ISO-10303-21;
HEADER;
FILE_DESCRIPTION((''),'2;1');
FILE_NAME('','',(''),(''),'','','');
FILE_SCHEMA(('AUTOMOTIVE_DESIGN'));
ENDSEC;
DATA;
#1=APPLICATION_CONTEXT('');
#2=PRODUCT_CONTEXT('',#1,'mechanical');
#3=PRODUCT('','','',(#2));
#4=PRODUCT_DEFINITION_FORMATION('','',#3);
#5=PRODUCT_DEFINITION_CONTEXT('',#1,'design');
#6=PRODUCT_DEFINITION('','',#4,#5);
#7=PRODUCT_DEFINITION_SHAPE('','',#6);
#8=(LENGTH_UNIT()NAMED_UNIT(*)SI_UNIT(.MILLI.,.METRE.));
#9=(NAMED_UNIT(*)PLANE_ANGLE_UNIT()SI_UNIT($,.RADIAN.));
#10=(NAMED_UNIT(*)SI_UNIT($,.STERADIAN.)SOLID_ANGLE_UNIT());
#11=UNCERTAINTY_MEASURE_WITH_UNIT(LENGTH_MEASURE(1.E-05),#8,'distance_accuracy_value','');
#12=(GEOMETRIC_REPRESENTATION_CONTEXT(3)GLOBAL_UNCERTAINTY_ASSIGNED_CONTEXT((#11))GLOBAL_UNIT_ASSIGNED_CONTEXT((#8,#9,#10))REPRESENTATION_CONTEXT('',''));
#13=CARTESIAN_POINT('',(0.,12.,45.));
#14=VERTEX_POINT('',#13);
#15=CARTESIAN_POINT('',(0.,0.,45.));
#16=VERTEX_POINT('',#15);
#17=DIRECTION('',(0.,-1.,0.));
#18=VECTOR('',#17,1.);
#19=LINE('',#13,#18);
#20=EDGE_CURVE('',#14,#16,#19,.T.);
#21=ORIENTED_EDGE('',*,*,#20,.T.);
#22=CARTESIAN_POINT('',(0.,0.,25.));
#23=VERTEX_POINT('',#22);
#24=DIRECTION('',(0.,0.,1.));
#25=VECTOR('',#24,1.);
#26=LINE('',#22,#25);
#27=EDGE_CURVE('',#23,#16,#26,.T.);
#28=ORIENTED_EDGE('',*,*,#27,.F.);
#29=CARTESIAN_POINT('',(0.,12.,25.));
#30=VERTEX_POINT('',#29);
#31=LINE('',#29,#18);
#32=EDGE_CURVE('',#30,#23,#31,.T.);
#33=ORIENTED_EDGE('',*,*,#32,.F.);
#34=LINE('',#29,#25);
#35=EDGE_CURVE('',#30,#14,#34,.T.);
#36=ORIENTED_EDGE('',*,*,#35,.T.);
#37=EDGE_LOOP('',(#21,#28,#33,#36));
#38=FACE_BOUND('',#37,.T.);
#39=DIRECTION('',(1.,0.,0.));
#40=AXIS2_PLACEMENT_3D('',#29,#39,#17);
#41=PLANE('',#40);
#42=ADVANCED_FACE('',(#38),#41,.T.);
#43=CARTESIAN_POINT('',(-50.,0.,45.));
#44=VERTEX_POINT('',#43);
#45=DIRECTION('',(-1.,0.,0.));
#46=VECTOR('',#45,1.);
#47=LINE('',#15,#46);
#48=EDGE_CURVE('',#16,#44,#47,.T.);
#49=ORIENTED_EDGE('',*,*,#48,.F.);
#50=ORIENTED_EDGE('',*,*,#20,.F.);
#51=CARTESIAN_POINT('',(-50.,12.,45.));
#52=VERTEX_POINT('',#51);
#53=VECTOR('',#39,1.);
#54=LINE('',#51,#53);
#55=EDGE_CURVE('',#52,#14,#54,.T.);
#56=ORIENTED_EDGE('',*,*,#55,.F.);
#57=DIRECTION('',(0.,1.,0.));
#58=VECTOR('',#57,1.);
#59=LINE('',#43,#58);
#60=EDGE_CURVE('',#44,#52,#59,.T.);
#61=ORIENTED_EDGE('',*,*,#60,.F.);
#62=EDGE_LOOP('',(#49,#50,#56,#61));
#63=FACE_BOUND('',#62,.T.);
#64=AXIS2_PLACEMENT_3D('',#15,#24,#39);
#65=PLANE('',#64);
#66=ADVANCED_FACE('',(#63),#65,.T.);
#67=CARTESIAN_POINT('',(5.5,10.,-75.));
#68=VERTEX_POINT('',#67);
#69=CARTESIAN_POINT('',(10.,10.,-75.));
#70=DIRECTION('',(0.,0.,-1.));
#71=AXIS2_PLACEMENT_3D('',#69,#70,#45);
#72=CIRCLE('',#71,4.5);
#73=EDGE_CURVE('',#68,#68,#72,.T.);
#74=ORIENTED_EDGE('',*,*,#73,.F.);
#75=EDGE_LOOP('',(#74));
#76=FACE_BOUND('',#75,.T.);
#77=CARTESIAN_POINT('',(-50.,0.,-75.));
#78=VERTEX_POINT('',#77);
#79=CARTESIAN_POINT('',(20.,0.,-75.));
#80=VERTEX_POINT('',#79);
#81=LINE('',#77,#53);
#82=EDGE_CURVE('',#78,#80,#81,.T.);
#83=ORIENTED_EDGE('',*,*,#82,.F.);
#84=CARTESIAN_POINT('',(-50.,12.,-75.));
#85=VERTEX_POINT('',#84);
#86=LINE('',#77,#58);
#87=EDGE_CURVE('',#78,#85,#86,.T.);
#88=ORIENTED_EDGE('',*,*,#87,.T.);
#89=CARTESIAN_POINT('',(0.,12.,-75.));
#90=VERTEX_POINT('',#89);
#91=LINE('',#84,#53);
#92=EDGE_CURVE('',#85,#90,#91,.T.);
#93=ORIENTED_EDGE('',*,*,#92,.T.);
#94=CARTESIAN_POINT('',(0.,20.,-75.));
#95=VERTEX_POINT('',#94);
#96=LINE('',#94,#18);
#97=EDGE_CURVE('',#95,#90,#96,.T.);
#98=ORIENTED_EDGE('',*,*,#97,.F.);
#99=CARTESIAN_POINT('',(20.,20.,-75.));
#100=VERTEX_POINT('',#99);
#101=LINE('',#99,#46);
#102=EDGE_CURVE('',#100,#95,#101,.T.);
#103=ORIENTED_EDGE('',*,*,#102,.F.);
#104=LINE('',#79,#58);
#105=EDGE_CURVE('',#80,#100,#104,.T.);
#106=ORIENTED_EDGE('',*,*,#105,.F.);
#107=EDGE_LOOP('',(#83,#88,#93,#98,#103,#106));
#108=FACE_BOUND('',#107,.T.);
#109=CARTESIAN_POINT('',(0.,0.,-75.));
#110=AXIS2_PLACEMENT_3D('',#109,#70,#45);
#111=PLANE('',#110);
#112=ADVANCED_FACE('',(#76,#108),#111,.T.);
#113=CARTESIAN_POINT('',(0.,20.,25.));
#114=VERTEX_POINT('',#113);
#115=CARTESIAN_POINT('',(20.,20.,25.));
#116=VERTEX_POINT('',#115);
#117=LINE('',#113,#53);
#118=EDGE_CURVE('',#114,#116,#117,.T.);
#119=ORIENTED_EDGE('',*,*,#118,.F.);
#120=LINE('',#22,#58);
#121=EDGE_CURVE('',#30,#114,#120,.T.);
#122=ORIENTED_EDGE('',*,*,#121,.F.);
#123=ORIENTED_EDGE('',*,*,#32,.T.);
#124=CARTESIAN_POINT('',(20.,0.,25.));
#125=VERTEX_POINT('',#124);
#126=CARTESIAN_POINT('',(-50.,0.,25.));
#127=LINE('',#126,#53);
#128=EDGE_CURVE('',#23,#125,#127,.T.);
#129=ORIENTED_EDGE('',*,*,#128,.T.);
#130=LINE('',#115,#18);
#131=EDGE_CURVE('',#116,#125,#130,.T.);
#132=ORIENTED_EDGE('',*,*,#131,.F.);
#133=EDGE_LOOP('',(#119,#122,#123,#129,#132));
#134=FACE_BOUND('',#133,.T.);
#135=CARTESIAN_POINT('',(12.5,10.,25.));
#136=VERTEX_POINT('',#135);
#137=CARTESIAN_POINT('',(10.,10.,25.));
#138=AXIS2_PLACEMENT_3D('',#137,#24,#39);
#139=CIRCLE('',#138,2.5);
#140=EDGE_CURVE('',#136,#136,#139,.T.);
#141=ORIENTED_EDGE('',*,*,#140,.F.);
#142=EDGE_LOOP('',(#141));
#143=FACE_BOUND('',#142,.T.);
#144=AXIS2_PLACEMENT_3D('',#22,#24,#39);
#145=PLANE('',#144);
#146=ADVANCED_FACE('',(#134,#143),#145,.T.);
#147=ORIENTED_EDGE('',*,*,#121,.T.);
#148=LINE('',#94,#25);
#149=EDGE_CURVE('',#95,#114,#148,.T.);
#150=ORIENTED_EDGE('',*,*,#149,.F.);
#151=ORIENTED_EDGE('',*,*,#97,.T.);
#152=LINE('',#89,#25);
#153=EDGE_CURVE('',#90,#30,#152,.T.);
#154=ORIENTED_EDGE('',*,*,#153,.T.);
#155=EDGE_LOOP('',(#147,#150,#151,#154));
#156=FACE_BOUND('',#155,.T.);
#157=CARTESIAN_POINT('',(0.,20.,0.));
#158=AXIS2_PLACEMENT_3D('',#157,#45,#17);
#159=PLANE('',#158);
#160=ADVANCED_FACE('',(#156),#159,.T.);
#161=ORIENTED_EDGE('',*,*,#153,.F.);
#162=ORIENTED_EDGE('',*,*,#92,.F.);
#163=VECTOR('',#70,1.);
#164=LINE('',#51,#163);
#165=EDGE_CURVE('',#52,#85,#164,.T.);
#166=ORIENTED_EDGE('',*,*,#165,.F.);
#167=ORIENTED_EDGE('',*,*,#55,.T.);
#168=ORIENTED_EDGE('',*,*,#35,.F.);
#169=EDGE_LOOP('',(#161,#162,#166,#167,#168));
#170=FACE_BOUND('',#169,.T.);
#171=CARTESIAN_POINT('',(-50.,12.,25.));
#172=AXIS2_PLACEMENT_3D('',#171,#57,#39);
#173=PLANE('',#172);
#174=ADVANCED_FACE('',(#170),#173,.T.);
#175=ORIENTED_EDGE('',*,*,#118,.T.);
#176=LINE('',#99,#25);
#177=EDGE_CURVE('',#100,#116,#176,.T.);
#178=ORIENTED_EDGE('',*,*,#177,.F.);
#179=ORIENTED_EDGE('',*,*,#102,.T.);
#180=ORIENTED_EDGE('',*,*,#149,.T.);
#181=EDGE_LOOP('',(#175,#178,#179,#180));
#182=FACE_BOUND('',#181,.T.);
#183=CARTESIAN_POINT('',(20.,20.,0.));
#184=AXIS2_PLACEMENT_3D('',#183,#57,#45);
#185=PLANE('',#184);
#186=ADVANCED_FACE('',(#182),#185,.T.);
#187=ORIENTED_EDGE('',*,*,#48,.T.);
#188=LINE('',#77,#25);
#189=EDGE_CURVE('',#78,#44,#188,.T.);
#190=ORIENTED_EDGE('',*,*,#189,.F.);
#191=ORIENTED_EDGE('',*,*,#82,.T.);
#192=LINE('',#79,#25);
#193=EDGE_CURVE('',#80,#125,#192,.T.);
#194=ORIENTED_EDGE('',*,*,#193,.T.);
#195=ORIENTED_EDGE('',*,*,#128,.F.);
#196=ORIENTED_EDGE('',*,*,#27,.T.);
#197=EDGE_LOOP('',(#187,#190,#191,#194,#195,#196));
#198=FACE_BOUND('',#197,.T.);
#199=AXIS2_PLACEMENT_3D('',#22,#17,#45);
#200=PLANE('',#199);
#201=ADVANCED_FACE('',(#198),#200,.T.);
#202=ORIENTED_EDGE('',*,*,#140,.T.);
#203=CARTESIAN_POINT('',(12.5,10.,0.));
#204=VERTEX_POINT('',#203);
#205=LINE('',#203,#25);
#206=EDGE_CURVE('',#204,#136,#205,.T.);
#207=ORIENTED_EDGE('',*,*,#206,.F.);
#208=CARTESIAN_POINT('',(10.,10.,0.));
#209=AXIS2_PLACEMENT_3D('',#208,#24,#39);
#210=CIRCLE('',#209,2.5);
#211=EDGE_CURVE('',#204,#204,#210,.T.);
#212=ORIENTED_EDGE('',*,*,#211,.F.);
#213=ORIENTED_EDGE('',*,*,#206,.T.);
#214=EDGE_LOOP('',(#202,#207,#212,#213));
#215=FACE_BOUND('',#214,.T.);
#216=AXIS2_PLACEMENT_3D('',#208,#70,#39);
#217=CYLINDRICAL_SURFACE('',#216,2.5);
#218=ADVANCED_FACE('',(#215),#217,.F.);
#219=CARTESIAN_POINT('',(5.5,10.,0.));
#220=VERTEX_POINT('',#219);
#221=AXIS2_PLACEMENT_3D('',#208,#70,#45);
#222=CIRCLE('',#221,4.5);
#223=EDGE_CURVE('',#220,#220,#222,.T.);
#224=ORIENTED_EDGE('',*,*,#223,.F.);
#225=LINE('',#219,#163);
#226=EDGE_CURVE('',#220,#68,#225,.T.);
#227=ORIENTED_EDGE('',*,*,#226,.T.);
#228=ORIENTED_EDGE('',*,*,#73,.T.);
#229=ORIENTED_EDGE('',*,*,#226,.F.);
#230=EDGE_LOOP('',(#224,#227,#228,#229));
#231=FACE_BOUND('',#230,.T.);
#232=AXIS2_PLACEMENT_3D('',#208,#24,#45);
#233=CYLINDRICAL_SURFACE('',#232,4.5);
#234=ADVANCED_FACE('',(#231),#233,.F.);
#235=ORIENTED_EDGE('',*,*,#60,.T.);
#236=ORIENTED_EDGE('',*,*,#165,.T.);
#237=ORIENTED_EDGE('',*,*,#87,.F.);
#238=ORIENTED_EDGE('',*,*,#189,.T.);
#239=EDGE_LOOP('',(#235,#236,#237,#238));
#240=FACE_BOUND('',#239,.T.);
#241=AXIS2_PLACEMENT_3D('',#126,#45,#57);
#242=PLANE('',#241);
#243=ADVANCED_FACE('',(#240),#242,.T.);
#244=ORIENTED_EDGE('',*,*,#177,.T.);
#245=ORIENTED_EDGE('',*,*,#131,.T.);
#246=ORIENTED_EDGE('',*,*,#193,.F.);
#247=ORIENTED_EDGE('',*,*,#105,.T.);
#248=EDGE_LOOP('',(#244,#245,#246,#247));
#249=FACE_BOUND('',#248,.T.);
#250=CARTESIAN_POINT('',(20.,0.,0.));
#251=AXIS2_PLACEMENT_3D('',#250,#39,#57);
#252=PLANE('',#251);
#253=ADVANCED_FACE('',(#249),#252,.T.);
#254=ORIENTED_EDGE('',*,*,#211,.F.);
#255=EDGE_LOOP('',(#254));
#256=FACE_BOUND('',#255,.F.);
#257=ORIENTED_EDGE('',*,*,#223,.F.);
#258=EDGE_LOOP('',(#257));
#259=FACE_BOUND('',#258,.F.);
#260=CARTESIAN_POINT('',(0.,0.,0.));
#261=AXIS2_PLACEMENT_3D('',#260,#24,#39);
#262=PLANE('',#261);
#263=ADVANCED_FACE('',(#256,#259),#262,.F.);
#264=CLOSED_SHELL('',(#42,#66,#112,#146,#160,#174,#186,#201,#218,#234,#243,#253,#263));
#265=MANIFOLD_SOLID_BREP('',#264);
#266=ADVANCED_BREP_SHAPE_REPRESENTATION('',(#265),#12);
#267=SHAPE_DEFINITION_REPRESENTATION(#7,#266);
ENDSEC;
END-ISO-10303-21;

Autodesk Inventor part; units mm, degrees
ref_plane "YZ Plane" through (0, 0, 0) normal (1, 0, 0) x (0, 1, 0)
ref_plane "XZ Plane" through (0, 0, 0) normal (0, 1, 0) x (-1, 0, 0)
ref_plane "XY Plane" through (0, 0, 0) normal (0, 0, 1) x (1, 0, 0)
sketch "Sketch1" plane through (0, 0, 0) normal (0, 0, 1) x (1, 0, 0)
  line L0 (0, 20) -> (20, 20)
  line L1 (20, 20) -> (20, 0)
  line L2 (20, 0) -> (0, 0)
  line L3 (0, 0) -> (0, 20)
  circle A0 centre (10, 10) radius 2.5
  dimension "d0" = 20
  dimension "d1" = 20
  dimension "d5" = 10
  dimension "d6" = 10
  dimension "d7" = 5
extrude "Extrusion2" add sketch "Sketch1" along normal blind 25
sketch "Sketch4" plane through (0, 0, 25) normal (0, 0, 1) x (1, 0, 0)
  line L0 (0, 0) -> (20, 0) projected
  line L1 (0, 0) -> (-50, 0)
  line L2 (-50, 0) -> (-50, 12)
  line L3 (-50, 12) -> (0, 12)
  line L4 (0, 12) -> (0, 0)
  point P0 (0, 6)
  dimension "d13" = 12
  dimension "d14" = 50
extrude "Extrusion4" add sketch "Sketch4" against normal blind 100
sketch "Sketch5" plane through (0, 0, 0) normal (0, 0, -1) x (-1, 0, 0)
  line L0 (0, 0) -> (-20, 0) projected
  line L1 (-20, 0) -> (-20, 20) projected
  line L2 (0, 0) -> (-20, 0)
  line L3 (-20, 0) -> (-20, 20)
  line L4 (-20, 20) -> (0, 20)
  line L5 (0, 20) -> (0, 0)
  circle A0 centre (-10, 10) radius 2.5 projected
  circle A1 centre (-10, 10) radius 4.5
  dimension "d17" = 9
extrude "Extrusion5" add sketch "Sketch5" along normal blind 75 contours L0 L1 L4 L5
sketch "Sketch6" plane through (0, 0, 25) normal (0, 0, 1) x (1, 0, 0)
  line L0 (-50, 0) -> (-50, 12) projected
  line L1 (0, 0) -> (-50, 0)
  line L2 (-50, 0) -> (-50, 12)
  line L3 (-50, 12) -> (0, 12)
  line L4 (0, 12) -> (0, 0)
extrude "Extrusion6" add sketch "Sketch6" along normal blind 20
equation "\"d5\" = 0.5 * d1"
equation "\"d6\" = 0.5 * d0"
properties part number "Touchscreen mount L v06"
